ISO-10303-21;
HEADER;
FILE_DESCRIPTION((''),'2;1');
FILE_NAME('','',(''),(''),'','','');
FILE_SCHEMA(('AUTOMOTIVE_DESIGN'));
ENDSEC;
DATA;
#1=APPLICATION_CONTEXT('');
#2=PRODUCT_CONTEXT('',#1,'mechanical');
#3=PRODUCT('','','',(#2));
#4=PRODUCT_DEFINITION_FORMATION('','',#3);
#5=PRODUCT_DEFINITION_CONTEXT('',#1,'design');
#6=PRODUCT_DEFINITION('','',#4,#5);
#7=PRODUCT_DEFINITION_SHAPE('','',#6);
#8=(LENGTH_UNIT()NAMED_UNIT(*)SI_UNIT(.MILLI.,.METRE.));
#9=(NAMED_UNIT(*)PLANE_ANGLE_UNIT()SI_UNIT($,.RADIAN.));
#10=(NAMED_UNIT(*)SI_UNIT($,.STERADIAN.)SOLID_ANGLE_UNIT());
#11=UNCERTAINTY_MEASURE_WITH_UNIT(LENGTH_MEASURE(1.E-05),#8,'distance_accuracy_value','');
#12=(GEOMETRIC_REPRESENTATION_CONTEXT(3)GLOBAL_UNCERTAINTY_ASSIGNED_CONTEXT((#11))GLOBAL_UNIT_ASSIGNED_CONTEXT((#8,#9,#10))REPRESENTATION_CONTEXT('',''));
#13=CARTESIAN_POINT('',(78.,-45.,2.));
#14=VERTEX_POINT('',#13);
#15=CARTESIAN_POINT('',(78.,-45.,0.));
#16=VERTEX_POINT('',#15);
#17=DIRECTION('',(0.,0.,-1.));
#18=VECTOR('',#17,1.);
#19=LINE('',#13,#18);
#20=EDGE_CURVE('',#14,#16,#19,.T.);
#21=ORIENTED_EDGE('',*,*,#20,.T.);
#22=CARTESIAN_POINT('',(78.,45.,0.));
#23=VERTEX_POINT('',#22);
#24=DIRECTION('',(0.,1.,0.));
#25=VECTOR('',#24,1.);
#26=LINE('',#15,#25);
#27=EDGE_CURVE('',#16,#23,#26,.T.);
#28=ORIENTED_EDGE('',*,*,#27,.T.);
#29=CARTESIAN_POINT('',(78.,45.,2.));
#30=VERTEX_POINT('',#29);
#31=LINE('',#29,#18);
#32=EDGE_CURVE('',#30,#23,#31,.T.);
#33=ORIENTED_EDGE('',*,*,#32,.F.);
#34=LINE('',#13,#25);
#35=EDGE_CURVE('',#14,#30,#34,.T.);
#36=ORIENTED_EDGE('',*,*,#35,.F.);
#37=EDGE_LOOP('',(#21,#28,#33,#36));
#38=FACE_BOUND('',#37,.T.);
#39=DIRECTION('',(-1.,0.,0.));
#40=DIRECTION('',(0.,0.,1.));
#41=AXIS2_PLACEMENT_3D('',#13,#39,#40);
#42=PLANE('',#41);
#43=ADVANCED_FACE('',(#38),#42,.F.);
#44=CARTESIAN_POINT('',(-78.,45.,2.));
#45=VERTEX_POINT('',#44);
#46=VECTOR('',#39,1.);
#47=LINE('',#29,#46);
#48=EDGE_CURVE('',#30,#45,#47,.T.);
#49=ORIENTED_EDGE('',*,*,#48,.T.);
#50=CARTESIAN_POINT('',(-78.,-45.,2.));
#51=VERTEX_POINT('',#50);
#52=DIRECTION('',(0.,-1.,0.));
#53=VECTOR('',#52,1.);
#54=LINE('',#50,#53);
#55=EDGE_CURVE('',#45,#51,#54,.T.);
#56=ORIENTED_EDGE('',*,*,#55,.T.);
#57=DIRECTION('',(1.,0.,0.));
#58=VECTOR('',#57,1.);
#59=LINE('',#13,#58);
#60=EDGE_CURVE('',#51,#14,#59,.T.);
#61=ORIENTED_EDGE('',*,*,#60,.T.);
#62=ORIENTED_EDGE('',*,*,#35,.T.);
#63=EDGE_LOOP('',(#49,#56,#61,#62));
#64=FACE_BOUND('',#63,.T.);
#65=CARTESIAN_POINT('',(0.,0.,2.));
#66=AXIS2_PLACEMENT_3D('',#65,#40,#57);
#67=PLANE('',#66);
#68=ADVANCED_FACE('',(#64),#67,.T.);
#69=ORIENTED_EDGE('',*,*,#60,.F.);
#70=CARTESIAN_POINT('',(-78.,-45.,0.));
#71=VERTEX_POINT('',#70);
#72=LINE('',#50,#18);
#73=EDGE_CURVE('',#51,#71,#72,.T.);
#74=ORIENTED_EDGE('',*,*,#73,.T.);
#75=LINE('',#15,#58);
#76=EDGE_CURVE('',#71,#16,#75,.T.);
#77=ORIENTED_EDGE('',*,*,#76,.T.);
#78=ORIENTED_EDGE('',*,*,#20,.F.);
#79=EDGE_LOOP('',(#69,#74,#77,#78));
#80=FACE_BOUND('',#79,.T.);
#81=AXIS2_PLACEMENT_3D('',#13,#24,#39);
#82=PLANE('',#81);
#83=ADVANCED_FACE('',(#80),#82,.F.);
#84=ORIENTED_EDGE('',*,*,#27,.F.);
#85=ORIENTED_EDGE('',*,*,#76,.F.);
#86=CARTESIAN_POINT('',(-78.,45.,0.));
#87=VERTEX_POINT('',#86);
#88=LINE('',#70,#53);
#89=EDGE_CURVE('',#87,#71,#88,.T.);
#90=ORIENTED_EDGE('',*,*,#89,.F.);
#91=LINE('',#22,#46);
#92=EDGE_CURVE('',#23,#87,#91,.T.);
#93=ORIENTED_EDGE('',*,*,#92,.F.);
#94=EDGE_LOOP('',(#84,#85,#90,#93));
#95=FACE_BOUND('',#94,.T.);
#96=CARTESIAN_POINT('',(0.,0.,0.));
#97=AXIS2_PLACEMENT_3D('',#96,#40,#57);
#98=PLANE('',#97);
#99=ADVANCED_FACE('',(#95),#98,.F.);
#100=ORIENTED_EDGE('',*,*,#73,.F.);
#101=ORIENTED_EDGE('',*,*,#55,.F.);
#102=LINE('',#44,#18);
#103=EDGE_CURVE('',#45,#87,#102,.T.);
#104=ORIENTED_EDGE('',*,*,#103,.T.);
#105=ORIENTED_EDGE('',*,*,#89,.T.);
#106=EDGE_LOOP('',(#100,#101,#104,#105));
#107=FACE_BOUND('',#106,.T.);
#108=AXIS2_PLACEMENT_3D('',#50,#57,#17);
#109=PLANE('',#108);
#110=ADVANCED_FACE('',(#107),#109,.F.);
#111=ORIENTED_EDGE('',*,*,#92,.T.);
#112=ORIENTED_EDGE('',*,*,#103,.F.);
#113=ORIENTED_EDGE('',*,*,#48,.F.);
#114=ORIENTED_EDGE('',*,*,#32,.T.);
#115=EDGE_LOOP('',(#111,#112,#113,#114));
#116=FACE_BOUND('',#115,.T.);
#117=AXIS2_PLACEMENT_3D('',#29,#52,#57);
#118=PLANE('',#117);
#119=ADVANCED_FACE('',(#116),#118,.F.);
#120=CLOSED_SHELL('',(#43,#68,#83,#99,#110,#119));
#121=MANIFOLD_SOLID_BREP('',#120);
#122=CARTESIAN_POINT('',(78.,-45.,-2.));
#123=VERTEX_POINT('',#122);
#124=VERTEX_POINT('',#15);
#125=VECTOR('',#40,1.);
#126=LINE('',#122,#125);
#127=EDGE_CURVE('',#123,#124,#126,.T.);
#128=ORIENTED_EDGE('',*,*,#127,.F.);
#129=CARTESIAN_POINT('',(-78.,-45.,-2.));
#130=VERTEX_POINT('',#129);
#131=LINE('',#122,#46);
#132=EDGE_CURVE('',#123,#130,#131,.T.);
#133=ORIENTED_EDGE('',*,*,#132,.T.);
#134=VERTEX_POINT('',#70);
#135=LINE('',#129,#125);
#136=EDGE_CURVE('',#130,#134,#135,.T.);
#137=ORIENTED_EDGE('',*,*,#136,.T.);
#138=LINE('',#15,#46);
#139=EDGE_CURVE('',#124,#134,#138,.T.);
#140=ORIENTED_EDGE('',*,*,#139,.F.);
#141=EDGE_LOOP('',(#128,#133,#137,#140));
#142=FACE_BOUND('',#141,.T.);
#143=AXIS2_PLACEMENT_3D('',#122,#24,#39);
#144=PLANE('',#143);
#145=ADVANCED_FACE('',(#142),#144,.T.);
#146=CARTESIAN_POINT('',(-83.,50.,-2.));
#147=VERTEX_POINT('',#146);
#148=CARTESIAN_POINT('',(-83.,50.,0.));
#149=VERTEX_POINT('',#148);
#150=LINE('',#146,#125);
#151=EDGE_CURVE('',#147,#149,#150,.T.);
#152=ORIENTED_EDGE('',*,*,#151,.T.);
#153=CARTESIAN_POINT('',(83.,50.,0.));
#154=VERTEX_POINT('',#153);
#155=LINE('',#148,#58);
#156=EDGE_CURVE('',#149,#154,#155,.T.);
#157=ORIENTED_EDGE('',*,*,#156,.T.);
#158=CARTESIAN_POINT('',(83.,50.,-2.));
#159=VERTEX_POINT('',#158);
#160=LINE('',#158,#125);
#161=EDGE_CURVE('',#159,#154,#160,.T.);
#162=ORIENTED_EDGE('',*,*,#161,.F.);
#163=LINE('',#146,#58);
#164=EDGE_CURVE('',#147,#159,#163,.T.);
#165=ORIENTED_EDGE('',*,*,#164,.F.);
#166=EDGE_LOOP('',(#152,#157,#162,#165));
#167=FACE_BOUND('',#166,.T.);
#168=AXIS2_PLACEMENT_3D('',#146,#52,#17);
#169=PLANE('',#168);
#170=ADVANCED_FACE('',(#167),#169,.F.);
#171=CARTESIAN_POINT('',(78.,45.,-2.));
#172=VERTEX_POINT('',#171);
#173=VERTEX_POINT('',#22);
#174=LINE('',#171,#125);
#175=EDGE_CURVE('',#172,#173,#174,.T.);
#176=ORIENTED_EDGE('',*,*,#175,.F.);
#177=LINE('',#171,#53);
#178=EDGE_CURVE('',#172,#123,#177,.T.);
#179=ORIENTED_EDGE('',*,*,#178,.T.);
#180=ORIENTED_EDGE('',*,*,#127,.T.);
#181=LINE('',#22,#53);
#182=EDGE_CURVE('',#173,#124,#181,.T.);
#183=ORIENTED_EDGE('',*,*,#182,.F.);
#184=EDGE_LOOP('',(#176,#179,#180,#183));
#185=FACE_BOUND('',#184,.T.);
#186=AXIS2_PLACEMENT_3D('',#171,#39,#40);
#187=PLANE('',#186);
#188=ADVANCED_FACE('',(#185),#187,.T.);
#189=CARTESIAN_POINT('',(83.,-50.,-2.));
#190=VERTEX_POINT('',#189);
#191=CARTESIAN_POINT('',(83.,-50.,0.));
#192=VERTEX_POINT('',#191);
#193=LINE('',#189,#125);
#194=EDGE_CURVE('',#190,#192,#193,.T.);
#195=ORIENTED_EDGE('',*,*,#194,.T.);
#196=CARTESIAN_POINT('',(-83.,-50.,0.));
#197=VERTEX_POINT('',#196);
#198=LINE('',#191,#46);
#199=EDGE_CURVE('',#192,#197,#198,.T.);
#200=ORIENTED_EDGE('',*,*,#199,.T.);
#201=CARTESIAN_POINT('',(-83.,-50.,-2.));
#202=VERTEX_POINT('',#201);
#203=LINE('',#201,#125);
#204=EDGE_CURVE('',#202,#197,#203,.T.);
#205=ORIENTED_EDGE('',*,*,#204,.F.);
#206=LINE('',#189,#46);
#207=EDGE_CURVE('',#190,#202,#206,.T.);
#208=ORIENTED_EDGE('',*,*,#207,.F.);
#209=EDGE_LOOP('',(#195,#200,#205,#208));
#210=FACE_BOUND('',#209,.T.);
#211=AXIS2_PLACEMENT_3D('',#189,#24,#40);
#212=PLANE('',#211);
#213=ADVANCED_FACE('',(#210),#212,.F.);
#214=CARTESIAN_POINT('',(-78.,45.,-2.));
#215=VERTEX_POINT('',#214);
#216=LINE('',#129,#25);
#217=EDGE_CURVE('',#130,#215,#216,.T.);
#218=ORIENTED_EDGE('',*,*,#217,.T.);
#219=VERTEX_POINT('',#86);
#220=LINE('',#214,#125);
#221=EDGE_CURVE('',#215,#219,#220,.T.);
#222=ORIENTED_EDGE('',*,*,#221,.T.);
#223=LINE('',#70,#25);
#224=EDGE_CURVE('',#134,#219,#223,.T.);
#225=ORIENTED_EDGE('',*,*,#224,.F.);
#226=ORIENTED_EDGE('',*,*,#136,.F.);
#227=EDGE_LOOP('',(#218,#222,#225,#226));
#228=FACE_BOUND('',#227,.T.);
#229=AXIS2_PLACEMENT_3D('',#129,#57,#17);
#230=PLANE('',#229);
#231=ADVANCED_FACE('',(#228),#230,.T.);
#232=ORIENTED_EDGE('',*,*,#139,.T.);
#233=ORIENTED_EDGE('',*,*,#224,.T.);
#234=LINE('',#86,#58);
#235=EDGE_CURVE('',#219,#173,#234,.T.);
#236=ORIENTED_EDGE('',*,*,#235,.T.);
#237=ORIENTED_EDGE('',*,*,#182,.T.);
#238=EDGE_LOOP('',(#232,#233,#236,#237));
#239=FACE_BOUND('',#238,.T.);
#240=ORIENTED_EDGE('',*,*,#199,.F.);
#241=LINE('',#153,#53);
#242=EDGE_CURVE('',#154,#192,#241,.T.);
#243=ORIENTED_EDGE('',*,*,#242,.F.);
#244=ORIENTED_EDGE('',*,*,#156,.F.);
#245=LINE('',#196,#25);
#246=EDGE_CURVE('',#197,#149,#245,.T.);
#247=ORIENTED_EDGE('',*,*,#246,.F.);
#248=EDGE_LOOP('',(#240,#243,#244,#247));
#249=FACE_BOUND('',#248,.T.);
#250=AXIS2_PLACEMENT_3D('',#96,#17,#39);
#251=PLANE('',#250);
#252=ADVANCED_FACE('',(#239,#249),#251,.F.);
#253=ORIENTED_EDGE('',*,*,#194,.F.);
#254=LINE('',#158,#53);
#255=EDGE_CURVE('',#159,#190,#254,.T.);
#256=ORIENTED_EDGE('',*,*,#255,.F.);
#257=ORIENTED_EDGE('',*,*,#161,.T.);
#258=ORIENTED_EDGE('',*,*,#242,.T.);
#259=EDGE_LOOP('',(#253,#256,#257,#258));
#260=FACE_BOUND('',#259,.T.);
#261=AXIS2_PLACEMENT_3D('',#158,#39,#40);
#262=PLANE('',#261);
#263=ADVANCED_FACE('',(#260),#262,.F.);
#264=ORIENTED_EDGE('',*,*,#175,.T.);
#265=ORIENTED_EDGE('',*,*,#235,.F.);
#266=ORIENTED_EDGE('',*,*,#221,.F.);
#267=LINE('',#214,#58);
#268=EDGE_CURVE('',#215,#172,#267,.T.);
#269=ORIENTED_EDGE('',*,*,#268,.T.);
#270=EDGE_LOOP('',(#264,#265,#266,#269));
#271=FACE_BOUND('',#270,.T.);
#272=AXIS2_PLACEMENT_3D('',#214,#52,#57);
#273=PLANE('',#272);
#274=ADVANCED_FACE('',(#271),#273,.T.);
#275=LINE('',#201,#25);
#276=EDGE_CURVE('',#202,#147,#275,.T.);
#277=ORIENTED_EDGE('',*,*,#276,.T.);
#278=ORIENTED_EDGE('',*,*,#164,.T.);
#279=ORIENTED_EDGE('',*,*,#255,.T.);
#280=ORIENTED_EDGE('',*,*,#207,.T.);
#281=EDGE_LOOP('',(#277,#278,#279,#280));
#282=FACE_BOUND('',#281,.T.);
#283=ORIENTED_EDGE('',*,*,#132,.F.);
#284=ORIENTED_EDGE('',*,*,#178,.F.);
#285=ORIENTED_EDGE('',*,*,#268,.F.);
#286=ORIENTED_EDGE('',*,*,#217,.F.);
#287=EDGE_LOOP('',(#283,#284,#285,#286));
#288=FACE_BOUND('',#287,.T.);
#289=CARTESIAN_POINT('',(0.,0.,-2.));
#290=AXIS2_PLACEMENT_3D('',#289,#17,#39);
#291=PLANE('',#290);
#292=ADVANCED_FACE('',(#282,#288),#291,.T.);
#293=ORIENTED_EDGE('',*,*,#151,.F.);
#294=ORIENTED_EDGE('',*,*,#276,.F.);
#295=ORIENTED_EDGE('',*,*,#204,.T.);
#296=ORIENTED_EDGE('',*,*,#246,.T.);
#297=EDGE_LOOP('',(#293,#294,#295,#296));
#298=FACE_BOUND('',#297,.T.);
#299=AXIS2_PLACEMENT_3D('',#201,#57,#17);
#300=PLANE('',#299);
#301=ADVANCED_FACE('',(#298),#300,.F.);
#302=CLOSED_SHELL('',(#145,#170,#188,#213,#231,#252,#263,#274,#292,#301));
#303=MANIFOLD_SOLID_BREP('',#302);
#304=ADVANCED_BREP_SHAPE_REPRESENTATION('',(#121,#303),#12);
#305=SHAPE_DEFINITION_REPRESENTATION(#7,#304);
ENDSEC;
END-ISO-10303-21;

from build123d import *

# Parameters (mm, degrees)
SKETCH1_W           = 156
SKETCH1_H           = 90
BOSS_EXTRUDE1_DEPTH = 2
SKETCH2_W           = 166
SKETCH2_H           = 100
SKETCH2_W_2         = 156
SKETCH2_H_2         = 90
BOSS_EXTRUDE2_DEPTH = 2


with BuildPart() as part:
    # Sketch1 → Boss-Extrude1 (new body)
    with BuildSketch(Plane.XY):
        Rectangle(SKETCH1_W, SKETCH1_H)
    extrude(amount=BOSS_EXTRUDE1_DEPTH)


with BuildPart() as body_2:
    # Sketch2 → Boss-Extrude2 (new body)
    with BuildSketch(Plane(origin=(0, 0, 0), x_dir=(-1, 0, 0), z_dir=(0, 0, -1))):
        Rectangle(SKETCH2_W, SKETCH2_H)
        Rectangle(SKETCH2_W_2, SKETCH2_H_2, mode=Mode.SUBTRACT)
    extrude(amount=BOSS_EXTRUDE2_DEPTH)


solid = Compound([part.part, body_2.part])
